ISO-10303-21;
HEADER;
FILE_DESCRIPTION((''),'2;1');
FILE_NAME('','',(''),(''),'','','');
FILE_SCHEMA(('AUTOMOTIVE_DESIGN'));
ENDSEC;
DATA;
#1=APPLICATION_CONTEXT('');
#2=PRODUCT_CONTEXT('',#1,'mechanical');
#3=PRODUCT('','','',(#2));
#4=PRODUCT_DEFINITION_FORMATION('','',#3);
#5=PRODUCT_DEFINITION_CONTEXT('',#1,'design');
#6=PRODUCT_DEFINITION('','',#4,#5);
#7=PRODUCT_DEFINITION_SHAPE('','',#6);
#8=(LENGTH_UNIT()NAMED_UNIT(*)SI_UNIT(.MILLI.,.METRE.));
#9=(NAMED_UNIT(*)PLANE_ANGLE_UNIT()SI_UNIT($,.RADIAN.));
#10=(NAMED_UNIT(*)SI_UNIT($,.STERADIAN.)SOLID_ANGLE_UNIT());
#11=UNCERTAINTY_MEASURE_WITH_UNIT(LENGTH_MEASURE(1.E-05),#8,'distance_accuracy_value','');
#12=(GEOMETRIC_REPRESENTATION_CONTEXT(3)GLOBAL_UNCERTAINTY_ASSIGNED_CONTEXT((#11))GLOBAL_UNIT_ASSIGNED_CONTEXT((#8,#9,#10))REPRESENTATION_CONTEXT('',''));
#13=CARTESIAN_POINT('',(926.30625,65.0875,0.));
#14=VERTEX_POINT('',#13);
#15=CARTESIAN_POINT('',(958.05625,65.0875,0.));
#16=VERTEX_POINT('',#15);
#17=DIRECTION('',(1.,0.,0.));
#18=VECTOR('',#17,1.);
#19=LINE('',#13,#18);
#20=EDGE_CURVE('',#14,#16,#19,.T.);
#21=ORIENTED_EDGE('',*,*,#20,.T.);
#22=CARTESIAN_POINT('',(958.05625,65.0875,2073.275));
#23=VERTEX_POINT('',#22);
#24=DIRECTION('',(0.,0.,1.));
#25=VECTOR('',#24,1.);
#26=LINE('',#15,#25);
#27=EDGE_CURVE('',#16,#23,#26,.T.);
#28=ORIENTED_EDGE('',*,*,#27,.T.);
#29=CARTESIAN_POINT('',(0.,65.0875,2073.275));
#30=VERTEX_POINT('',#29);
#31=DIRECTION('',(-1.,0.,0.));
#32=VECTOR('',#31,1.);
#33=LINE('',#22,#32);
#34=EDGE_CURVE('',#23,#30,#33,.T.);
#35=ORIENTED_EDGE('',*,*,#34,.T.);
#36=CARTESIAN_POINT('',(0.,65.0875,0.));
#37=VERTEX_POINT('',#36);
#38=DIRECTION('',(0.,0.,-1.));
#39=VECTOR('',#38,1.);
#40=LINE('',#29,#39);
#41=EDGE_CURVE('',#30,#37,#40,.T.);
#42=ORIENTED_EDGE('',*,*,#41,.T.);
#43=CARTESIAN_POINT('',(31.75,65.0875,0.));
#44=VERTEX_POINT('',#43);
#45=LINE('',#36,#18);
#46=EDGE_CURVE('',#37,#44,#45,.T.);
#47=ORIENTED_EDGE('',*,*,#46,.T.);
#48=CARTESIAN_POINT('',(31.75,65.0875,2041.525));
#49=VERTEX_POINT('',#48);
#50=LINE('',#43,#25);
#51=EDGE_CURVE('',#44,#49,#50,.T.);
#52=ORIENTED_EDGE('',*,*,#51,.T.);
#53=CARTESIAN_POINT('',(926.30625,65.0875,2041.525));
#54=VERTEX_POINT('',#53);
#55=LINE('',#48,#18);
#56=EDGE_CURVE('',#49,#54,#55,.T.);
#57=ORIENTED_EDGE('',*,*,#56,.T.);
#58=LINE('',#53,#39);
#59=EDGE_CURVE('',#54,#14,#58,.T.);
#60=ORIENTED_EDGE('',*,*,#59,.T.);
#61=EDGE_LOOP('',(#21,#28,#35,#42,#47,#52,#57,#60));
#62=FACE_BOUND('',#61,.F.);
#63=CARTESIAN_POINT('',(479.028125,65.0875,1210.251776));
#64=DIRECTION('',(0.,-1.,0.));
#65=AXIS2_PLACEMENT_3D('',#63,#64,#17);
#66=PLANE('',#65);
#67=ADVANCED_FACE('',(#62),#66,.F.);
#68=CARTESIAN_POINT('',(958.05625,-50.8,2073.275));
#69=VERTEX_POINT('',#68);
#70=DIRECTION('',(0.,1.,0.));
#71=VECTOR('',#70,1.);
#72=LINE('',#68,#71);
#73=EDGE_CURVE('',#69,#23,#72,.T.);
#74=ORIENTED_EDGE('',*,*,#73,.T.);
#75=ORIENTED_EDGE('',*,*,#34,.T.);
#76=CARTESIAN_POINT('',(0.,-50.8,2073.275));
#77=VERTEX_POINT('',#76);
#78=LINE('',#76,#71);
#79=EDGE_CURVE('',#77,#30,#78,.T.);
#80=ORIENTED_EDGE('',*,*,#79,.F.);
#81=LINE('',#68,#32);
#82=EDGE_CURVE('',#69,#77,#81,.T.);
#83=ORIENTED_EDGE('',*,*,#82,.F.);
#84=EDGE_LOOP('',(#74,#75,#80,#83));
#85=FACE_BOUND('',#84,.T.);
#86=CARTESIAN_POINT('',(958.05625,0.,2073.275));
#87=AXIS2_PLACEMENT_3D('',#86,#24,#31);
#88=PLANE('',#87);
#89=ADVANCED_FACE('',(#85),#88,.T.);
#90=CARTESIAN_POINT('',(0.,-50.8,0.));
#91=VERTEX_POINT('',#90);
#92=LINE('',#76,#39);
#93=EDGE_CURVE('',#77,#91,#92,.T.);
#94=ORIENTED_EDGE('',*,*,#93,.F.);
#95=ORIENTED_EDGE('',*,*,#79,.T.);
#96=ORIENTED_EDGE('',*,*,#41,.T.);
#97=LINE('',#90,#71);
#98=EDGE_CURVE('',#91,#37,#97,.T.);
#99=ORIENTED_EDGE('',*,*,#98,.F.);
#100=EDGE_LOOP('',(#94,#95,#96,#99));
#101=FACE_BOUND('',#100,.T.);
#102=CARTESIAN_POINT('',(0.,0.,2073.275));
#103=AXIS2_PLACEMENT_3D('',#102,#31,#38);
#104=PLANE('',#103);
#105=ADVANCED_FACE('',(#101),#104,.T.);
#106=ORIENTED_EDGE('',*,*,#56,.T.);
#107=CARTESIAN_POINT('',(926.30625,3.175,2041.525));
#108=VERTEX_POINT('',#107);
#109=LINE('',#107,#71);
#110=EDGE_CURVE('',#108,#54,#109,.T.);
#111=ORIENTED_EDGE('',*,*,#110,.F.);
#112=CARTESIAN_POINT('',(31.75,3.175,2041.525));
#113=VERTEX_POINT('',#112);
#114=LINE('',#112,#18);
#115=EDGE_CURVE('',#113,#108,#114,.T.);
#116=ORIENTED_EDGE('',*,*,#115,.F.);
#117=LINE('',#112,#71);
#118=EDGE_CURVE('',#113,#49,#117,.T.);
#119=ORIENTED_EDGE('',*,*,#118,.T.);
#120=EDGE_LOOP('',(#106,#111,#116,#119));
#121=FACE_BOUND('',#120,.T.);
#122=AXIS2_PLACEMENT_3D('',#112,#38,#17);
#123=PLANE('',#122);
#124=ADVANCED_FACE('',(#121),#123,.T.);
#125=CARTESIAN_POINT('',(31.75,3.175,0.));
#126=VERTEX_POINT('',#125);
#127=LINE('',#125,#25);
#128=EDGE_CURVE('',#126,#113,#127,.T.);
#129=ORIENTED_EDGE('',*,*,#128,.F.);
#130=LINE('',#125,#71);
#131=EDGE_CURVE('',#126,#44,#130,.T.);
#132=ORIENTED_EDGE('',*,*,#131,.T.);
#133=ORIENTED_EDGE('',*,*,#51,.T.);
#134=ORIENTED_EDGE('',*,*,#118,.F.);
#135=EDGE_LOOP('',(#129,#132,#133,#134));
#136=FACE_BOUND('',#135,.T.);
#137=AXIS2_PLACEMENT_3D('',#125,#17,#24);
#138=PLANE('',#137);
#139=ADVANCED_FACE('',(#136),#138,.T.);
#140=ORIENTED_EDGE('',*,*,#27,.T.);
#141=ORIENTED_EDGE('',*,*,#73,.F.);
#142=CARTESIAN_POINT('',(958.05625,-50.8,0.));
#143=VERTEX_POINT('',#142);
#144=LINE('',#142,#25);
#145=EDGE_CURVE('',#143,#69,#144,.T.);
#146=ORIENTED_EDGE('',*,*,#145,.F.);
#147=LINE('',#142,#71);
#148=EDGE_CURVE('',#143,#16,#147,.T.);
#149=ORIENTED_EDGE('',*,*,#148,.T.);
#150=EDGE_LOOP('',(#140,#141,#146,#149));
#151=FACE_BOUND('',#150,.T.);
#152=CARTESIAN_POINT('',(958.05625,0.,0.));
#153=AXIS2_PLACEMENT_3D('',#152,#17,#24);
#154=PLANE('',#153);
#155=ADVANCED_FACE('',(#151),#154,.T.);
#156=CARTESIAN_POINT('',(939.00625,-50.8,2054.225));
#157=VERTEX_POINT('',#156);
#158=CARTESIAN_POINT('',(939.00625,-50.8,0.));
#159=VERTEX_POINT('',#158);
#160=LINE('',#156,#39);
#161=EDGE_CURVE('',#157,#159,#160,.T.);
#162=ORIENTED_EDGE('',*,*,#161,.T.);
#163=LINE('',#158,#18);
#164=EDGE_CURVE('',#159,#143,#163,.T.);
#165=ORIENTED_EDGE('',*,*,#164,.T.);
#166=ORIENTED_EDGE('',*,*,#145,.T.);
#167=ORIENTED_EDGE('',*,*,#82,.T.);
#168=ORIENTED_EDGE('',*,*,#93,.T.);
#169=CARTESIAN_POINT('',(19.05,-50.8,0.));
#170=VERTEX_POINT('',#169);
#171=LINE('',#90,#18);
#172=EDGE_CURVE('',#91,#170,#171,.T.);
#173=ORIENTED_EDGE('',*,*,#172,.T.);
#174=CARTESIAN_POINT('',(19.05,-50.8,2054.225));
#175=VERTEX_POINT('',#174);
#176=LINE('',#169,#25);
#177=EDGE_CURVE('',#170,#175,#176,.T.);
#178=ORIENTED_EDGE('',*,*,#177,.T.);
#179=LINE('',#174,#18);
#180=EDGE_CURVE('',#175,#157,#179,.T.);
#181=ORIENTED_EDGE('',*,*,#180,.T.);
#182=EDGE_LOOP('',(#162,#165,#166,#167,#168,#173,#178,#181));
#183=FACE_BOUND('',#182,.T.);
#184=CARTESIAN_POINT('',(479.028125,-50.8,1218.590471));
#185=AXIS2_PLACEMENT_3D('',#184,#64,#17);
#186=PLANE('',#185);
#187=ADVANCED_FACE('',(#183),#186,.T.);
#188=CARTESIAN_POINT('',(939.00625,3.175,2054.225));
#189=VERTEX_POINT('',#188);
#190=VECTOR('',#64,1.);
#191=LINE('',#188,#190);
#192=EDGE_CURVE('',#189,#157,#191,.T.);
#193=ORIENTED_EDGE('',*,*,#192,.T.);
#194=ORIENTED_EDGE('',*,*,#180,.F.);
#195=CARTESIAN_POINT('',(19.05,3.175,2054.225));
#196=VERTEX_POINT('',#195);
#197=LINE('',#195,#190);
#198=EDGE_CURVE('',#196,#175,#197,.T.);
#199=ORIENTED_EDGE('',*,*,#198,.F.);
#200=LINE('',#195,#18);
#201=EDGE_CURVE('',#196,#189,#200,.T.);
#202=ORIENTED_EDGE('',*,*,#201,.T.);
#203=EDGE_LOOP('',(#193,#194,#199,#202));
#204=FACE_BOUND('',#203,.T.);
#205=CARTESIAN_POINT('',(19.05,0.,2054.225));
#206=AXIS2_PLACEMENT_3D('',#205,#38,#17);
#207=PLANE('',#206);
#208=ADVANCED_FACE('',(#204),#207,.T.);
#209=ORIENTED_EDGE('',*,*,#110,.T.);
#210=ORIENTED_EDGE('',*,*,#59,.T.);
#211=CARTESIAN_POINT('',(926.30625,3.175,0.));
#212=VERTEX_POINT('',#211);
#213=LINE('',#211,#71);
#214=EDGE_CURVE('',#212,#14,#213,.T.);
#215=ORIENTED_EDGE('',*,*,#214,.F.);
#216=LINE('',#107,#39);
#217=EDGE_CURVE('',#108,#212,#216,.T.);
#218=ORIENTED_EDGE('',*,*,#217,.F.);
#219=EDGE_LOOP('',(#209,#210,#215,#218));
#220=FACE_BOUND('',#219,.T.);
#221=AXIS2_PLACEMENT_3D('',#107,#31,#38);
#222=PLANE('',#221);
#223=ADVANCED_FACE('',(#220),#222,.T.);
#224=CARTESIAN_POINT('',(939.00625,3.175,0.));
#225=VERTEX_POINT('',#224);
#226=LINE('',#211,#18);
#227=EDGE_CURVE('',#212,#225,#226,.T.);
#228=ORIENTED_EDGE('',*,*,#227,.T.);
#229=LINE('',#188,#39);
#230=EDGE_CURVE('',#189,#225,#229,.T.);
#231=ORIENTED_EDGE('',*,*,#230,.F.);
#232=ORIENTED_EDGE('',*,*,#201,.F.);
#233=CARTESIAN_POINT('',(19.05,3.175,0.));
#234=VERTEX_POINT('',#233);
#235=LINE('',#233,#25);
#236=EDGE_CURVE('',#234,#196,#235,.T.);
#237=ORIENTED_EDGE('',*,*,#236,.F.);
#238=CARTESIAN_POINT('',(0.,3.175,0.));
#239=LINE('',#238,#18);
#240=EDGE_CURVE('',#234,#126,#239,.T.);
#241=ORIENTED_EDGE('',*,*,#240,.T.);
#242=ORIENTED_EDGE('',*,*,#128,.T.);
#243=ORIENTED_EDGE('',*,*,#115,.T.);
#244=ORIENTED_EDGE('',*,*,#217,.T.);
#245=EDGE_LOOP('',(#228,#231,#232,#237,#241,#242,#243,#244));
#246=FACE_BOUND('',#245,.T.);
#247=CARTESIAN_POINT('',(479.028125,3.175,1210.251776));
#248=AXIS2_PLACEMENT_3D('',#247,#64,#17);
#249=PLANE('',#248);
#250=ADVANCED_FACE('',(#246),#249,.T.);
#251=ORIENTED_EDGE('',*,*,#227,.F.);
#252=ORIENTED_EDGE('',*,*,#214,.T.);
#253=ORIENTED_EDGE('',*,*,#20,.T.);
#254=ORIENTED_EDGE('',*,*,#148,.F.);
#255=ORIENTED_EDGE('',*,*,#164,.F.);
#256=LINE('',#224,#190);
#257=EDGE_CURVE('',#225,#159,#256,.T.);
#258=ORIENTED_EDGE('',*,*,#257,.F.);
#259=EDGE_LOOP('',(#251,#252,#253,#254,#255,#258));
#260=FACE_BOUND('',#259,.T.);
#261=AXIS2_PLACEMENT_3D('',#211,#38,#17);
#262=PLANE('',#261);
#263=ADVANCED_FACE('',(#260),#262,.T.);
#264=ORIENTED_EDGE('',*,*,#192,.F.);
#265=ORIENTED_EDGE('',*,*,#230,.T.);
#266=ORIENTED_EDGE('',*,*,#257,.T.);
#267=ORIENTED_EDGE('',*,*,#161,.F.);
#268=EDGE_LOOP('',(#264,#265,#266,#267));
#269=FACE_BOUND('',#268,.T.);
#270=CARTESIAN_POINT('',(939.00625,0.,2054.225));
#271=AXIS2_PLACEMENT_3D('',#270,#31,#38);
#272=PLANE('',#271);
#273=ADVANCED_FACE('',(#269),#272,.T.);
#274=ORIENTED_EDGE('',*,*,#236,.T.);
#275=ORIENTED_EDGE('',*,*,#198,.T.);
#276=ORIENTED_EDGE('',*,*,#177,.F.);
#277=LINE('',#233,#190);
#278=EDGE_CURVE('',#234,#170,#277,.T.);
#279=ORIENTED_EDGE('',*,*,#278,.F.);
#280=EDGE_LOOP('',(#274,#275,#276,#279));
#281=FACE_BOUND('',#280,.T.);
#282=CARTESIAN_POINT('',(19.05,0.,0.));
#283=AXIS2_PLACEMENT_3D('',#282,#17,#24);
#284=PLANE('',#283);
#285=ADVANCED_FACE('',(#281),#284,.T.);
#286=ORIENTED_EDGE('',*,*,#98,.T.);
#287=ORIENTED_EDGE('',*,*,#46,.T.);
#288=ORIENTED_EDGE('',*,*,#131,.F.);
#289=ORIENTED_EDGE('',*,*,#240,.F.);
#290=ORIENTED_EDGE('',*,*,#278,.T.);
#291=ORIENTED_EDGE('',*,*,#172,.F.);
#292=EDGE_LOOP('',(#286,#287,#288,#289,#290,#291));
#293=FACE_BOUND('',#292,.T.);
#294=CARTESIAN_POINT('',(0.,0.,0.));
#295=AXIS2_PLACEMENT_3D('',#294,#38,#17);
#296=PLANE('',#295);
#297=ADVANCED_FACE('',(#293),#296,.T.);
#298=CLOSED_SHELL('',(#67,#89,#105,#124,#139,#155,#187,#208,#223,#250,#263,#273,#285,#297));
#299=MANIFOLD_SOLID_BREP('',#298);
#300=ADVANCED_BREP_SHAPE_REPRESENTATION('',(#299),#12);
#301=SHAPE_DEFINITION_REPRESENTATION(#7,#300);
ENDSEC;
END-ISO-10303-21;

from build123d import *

# Parameters (mm, degrees)
F3_DEPTH      = 61.9125
F5_DEPTH      = 50.8
F5_DEPTH_BACK = 3.175


with BuildPart() as f3:
    # F2 (on offset) → F3 (new body)
    with BuildSketch(Plane.XZ.offset(-3.175)):
        Polygon((0, 2054.225), (0, 0), (19.05, 0), (31.75, 0), (31.75, 2041.525), (926.30625, 2041.525), (926.30625, 0), (939.00625, 0), (958.05625, 0), (958.05625, 2054.225), (958.05625, 2073.275), (0, 2073.275), align=None)
    extrude(amount=-F3_DEPTH)

    # F4 (on Front) → F5 (join, two sides)
    with BuildSketch(Plane.XZ) as f5_sk:
        Polygon((0, 2054.225), (0, 0), (19.05, 0), (19.05, 2041.525), (19.05, 2054.225), (364.33125, 2054.225), (593.725, 2054.225), (939.00625, 2054.225), (939.00625, 2041.525), (939.00625, 0), (958.05625, 0), (958.05625, 2054.225), (958.05625, 2073.275), (0, 2073.275), align=None)
    extrude(amount=F5_DEPTH)
    extrude(f5_sk.sketch, amount=-F5_DEPTH_BACK)


solid = f3.part
